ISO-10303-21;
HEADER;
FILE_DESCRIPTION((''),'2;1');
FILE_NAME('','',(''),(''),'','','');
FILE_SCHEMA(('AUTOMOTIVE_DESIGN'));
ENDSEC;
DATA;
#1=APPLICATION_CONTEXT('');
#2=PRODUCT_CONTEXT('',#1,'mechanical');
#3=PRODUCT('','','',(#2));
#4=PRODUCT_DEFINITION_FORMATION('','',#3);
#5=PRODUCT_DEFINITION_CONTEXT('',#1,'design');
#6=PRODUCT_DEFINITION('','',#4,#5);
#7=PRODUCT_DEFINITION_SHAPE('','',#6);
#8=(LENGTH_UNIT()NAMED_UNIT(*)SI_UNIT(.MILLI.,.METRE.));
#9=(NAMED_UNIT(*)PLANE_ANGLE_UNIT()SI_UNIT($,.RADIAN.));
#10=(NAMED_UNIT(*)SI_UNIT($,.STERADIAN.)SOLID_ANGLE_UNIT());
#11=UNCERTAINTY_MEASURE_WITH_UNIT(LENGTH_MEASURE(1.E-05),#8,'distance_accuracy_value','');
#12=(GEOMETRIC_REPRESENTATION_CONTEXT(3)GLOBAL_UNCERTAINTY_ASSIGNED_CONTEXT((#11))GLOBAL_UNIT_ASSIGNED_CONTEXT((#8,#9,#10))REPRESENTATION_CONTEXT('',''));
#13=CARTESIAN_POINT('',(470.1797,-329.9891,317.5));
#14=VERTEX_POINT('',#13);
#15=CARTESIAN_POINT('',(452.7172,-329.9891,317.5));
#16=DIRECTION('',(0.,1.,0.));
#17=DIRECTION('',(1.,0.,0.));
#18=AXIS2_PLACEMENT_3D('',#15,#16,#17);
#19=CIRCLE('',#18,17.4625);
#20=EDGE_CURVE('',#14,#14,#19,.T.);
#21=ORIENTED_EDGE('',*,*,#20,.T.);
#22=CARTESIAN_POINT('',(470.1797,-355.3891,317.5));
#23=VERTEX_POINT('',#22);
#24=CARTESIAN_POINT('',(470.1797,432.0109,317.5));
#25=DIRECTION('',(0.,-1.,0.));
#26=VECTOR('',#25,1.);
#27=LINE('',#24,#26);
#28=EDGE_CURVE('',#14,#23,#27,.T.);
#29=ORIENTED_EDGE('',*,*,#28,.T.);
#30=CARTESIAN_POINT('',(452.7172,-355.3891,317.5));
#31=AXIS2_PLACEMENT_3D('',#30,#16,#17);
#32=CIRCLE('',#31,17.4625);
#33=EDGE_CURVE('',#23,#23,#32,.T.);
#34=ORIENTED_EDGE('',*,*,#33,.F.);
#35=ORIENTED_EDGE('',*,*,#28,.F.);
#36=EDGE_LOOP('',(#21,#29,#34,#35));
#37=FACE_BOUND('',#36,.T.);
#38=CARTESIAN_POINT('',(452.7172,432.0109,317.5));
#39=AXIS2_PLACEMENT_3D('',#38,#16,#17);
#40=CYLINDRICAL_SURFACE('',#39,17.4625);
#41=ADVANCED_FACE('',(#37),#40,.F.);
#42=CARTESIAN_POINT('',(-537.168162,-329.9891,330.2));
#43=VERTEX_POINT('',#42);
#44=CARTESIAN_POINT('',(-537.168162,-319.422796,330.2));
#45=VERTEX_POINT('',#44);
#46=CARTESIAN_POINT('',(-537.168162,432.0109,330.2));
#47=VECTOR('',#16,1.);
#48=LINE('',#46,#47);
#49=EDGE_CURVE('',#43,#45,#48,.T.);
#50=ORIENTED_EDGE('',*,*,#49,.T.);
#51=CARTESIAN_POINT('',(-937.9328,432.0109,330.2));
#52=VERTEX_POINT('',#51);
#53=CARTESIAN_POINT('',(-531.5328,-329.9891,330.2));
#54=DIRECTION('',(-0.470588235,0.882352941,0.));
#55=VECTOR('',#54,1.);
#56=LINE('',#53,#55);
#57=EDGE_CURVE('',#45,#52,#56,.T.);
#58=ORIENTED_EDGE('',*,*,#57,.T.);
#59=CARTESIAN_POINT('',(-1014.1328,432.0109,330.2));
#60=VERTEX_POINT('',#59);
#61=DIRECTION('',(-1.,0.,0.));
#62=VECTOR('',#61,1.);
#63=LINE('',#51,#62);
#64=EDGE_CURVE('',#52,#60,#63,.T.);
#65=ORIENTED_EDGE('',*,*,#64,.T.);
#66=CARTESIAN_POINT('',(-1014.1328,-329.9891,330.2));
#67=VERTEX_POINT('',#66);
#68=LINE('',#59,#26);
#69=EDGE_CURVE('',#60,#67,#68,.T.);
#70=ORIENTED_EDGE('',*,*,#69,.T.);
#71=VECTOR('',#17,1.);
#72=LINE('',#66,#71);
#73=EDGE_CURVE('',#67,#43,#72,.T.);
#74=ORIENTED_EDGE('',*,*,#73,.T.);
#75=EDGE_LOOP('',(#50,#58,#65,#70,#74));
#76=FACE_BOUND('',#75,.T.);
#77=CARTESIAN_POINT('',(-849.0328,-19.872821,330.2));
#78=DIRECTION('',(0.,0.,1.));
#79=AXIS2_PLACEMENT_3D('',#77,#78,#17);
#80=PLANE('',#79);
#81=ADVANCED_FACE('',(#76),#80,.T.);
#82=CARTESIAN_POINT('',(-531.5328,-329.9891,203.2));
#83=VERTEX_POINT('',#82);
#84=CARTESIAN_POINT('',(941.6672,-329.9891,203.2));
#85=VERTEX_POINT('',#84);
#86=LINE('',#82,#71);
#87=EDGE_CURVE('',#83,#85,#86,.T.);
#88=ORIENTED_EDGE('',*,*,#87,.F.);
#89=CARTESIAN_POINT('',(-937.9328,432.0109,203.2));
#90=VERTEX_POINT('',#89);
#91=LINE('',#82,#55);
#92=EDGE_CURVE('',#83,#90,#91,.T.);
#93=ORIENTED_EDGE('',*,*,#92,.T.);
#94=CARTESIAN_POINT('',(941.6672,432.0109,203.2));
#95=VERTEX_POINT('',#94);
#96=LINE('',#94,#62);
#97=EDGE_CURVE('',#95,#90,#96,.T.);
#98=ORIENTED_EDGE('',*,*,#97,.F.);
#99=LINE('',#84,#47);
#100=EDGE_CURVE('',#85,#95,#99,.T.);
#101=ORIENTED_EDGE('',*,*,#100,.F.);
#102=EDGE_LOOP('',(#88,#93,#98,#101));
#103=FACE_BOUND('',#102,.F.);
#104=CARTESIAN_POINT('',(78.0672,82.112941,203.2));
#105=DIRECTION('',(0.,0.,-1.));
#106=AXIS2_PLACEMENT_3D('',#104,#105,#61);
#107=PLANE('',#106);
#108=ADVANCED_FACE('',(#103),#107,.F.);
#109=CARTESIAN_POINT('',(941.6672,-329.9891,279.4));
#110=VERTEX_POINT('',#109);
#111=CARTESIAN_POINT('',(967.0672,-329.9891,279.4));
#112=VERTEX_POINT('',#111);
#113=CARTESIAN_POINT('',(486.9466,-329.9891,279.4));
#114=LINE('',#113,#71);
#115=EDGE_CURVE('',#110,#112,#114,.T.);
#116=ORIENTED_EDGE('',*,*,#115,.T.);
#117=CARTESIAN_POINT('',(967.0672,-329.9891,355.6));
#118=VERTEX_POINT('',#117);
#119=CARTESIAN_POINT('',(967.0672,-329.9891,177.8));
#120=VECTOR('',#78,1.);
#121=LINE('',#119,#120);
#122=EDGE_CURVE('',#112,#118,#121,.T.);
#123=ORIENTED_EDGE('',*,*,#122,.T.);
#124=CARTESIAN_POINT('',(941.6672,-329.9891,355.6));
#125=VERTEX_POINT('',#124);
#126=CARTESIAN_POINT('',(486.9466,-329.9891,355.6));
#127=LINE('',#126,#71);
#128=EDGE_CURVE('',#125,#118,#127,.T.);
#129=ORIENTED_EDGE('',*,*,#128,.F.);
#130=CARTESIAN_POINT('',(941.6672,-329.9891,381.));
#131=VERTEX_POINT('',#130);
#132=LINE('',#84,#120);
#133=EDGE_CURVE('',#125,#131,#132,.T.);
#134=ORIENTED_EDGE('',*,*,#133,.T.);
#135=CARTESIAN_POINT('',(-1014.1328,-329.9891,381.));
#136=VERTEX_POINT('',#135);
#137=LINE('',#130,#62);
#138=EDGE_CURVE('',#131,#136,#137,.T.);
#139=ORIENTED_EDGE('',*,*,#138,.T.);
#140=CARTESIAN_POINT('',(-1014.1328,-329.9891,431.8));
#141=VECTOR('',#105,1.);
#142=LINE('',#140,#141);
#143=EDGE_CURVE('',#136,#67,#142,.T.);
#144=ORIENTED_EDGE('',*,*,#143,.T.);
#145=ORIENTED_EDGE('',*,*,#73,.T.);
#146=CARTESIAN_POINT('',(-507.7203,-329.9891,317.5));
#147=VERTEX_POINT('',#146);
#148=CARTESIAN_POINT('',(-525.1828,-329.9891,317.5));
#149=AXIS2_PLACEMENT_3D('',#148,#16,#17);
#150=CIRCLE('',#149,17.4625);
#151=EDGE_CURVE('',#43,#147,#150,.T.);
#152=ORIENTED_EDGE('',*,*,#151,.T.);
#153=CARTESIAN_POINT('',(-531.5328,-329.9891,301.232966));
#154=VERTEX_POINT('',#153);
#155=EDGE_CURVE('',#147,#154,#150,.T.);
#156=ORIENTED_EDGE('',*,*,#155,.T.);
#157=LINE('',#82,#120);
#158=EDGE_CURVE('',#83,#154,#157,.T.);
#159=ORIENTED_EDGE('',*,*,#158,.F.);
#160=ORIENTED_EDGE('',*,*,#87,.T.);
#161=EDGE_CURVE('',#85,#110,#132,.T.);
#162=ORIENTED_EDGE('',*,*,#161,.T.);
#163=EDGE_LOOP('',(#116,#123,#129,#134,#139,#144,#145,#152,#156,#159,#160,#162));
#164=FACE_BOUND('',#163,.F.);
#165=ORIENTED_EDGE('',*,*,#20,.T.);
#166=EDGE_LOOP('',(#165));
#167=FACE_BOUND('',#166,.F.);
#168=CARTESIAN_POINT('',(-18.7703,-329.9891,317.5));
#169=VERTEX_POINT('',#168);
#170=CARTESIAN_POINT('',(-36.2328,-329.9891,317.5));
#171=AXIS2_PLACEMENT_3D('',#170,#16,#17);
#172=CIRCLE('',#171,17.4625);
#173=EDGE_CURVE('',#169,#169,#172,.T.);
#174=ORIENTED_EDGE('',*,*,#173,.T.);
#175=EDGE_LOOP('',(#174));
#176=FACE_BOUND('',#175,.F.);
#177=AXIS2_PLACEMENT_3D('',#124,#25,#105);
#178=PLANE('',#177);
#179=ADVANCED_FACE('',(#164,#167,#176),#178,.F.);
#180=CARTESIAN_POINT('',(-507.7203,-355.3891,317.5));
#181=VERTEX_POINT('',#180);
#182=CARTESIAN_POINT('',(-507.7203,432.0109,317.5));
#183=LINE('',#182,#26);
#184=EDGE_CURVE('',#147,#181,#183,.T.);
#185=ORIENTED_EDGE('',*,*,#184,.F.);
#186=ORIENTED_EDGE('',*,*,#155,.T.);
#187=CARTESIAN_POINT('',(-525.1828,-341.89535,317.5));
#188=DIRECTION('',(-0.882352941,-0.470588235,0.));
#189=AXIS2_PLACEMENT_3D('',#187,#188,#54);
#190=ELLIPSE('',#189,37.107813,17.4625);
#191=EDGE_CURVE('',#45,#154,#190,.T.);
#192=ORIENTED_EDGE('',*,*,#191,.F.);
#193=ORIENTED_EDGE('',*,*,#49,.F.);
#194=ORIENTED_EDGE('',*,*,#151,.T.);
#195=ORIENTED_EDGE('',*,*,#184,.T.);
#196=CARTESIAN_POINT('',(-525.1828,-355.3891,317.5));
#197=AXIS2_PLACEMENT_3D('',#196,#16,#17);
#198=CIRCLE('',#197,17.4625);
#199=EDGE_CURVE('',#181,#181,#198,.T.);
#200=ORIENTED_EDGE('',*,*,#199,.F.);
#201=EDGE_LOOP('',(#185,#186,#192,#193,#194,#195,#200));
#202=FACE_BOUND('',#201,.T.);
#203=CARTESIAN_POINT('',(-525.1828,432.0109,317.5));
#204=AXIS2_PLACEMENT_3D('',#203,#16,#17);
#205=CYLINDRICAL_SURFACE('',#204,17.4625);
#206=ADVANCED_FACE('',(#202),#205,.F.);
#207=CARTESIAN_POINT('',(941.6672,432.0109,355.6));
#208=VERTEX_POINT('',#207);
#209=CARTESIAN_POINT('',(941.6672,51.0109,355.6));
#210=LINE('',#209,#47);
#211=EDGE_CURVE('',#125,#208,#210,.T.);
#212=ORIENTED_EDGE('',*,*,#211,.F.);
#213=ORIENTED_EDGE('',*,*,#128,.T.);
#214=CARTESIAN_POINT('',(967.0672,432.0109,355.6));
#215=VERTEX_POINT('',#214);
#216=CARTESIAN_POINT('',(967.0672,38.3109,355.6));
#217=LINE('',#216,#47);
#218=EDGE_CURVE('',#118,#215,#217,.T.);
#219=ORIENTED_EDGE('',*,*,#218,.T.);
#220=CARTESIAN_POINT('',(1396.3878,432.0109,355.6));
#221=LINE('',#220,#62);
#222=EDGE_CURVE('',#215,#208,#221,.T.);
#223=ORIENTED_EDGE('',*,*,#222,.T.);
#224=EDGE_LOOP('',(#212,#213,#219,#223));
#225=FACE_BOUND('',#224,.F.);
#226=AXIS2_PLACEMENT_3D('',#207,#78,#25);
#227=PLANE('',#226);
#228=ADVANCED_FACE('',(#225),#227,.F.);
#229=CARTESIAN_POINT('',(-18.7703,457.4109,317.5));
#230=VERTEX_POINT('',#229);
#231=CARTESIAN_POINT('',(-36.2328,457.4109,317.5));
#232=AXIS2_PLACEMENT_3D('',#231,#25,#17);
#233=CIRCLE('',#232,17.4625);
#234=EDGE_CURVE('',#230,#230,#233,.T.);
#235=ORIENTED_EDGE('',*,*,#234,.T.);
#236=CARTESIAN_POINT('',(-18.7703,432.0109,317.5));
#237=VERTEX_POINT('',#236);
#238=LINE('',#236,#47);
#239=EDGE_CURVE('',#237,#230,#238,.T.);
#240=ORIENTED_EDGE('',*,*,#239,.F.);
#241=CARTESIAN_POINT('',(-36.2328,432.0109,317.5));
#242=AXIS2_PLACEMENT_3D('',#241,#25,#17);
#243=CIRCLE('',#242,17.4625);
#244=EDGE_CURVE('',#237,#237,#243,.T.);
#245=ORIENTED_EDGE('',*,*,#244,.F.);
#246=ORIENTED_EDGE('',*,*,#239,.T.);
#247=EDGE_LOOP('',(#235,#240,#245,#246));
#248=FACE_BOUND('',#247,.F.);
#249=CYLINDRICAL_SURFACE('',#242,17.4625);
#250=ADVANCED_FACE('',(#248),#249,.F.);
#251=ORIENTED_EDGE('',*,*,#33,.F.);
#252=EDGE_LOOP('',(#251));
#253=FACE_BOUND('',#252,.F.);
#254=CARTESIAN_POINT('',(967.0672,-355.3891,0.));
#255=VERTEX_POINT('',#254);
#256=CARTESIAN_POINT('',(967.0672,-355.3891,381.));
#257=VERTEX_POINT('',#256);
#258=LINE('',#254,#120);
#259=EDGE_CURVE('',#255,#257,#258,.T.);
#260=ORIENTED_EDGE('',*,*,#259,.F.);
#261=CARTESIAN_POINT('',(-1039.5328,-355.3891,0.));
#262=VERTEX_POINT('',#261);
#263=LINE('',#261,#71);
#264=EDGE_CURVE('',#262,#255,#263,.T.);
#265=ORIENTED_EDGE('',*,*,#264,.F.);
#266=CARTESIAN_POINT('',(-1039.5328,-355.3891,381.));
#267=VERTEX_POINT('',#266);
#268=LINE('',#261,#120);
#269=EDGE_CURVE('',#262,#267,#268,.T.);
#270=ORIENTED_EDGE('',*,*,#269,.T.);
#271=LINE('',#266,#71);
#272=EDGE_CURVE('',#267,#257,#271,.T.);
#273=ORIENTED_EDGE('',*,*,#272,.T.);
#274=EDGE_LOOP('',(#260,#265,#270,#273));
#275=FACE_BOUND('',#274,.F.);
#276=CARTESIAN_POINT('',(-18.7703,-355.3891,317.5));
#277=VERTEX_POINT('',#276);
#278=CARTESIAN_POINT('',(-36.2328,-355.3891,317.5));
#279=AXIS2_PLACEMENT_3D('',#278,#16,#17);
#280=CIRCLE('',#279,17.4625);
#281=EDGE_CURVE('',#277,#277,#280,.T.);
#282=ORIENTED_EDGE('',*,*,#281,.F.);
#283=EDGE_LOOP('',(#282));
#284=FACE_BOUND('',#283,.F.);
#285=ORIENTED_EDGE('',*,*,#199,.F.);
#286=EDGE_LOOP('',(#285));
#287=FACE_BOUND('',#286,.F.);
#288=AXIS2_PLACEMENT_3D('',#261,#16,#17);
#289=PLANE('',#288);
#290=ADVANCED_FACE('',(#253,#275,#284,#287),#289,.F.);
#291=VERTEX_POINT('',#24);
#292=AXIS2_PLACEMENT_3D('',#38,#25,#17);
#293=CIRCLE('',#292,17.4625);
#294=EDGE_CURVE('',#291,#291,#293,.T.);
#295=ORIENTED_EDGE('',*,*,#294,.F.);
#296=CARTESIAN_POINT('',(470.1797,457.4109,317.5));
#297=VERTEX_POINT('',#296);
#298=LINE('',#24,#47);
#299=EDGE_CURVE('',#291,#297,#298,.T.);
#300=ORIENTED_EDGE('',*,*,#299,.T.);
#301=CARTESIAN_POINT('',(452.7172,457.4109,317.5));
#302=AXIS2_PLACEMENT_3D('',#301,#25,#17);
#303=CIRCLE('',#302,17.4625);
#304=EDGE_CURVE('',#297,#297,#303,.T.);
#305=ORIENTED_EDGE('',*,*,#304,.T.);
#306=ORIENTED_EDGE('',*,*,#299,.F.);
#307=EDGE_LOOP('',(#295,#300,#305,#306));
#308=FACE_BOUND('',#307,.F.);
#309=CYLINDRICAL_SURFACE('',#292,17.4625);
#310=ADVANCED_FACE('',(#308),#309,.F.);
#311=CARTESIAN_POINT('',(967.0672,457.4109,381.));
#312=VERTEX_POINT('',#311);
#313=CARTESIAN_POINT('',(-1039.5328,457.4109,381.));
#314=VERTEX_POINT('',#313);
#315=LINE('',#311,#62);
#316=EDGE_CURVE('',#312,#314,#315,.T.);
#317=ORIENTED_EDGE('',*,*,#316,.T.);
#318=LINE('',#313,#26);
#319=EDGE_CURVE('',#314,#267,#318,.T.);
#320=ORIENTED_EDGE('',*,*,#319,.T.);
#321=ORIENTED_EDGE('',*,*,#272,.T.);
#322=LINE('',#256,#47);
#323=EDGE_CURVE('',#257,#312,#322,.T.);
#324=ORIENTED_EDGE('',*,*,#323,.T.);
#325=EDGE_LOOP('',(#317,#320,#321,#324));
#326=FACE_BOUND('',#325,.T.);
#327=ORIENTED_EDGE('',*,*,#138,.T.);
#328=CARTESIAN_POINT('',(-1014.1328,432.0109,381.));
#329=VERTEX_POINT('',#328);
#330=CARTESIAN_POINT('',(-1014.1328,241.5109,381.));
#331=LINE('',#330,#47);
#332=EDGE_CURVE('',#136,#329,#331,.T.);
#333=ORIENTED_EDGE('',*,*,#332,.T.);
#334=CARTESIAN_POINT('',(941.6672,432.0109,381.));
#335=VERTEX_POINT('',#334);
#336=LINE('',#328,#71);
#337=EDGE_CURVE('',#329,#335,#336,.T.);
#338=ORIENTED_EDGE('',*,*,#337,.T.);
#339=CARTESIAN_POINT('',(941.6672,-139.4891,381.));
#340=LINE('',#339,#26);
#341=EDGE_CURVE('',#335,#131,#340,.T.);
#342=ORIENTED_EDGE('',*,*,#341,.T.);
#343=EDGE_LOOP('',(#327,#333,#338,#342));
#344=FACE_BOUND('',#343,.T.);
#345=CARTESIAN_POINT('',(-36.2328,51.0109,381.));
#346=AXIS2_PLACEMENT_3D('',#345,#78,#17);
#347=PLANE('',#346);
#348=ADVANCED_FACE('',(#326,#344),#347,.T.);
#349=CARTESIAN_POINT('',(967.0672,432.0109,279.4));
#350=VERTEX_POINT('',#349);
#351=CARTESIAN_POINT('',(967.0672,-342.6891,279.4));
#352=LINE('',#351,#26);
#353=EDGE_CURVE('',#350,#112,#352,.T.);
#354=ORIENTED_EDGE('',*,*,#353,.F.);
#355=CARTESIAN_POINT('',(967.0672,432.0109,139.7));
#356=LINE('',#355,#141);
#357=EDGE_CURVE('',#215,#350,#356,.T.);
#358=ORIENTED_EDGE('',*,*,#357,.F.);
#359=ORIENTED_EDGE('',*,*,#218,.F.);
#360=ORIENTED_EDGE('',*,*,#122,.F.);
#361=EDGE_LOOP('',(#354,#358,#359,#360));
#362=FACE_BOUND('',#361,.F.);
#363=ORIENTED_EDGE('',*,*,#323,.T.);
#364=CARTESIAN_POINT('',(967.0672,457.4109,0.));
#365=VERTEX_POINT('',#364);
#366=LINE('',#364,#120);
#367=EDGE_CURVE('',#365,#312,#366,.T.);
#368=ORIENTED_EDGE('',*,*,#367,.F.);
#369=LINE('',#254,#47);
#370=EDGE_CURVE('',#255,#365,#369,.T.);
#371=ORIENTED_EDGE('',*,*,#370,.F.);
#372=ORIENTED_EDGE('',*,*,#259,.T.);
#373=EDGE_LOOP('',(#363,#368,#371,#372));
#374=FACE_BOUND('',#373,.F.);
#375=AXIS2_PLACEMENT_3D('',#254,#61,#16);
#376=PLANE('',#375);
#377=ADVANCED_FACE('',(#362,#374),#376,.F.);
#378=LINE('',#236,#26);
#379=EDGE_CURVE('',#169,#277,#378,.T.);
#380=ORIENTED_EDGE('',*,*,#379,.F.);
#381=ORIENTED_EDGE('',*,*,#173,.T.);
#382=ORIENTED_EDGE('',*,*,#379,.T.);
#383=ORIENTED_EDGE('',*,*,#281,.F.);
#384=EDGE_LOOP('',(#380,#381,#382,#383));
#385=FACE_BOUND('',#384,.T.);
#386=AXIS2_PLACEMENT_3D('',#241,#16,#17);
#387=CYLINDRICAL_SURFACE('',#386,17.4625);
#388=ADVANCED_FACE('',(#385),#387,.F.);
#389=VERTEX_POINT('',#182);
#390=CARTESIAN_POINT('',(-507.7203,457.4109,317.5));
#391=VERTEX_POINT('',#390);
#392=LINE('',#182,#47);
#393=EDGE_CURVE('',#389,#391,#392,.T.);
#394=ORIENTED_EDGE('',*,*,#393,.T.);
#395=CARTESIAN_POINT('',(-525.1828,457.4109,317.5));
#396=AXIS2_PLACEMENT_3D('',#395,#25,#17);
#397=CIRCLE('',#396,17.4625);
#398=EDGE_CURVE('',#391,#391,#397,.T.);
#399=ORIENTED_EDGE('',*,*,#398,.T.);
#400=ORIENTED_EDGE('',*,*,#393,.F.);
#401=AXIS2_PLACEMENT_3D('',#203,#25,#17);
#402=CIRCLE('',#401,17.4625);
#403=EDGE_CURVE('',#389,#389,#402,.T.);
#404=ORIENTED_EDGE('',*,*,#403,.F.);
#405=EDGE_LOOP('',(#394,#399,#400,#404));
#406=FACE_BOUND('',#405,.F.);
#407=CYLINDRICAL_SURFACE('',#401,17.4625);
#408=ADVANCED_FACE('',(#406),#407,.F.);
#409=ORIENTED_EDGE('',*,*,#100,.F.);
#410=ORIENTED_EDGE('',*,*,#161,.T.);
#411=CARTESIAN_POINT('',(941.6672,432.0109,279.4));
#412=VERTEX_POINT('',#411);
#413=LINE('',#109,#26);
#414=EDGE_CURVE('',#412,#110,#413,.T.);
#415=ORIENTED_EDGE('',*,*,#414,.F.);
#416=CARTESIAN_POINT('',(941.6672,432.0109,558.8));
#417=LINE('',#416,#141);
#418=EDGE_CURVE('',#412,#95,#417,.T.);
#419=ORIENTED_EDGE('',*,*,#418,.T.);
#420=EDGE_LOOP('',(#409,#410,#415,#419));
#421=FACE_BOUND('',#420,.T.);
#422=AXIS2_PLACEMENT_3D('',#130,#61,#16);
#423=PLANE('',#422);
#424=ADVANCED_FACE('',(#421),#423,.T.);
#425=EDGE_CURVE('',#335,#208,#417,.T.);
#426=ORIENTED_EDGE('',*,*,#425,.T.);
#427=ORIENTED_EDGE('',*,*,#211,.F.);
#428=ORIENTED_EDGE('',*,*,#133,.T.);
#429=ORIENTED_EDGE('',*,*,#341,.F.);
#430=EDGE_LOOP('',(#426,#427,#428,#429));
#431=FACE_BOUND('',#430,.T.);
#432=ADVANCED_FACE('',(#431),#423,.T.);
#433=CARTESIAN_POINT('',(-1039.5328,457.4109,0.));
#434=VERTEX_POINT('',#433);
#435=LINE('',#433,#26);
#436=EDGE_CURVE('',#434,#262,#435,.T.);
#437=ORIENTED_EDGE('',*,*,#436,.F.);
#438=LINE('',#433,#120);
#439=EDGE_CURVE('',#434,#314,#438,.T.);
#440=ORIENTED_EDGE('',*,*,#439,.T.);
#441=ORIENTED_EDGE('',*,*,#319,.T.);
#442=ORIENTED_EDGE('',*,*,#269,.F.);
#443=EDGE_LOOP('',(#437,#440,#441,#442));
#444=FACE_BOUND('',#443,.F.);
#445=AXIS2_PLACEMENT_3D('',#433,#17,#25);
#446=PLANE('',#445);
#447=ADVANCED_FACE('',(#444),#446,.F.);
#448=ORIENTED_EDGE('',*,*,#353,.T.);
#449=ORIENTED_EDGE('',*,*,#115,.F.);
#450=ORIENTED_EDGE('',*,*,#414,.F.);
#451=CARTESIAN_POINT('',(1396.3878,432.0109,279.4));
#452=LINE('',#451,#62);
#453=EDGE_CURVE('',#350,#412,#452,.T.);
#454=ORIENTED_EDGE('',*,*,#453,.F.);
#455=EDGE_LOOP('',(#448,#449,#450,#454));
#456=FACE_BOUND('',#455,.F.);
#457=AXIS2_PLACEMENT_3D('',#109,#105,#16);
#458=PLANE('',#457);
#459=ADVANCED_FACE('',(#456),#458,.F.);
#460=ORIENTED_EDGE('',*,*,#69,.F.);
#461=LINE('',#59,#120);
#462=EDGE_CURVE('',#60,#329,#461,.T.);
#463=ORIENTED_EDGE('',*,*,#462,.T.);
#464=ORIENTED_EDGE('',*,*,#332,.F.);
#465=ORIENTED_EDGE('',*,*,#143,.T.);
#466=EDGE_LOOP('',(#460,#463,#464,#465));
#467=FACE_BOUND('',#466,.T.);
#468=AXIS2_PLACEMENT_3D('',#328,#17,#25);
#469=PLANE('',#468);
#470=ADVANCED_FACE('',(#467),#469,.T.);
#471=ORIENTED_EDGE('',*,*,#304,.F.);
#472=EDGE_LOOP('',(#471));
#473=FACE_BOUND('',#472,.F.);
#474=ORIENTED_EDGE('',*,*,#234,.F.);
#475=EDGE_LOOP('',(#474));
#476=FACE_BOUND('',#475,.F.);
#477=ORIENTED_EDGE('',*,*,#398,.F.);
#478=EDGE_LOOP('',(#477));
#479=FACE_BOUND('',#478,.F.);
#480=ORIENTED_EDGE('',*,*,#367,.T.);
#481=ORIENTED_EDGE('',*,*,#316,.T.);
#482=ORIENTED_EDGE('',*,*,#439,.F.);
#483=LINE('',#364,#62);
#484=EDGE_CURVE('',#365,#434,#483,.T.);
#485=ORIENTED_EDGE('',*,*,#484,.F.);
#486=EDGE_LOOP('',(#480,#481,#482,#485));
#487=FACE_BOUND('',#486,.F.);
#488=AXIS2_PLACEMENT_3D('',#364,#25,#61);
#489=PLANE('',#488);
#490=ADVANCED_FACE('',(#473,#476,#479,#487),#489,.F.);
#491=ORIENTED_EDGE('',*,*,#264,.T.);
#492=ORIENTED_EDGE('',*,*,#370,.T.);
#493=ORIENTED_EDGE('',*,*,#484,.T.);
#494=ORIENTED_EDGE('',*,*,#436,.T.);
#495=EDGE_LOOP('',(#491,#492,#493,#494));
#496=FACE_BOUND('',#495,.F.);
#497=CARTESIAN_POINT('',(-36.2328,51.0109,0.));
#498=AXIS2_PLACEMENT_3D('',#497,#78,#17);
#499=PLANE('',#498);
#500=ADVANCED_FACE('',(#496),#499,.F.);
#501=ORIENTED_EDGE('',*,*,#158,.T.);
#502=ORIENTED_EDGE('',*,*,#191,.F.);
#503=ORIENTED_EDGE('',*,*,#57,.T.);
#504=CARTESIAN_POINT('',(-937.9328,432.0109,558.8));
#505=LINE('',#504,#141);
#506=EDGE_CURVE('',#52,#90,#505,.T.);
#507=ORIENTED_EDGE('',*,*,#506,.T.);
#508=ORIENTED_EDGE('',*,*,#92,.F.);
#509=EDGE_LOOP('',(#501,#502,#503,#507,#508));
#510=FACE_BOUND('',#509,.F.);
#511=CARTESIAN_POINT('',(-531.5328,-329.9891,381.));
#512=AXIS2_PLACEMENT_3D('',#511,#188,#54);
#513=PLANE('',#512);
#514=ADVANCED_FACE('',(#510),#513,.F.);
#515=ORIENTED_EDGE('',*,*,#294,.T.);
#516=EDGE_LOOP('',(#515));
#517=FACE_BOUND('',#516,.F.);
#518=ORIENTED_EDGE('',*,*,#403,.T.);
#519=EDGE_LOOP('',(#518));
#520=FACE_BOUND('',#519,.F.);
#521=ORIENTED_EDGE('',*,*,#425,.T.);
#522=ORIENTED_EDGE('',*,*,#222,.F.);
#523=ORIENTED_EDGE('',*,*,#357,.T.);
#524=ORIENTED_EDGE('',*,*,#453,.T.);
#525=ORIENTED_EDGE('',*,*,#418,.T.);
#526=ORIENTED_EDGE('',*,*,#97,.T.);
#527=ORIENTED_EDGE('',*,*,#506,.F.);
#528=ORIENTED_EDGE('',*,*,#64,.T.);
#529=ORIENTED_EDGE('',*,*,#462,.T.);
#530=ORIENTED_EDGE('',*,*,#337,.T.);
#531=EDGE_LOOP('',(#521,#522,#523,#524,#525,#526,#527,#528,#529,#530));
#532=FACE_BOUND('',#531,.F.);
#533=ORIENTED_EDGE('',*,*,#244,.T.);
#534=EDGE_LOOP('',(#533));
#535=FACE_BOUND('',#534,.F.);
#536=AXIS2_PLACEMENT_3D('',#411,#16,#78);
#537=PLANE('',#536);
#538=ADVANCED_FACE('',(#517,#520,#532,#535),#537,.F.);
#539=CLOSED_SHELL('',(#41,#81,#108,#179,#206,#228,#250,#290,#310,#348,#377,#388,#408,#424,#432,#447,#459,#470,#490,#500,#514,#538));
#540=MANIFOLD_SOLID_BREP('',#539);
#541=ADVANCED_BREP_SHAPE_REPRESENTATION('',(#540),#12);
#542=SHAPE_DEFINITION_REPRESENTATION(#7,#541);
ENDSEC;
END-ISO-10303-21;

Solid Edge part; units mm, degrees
sketch "Sketch1" plane through (0, 0, 0) normal (0, 0, 1) x (1, 0, 0)
  line L0 (-1039.5328, -355.3891) -> (967.0672, -355.3891)
  line L1 (967.0672, -355.3891) -> (967.0672, 457.4109)
  line L2 (967.0672, 457.4109) -> (-1039.5328, 457.4109)
  line L3 (-1039.5328, 457.4109) -> (-1039.5328, -355.3891)
extrude "Protrusion1" add sketch "Sketch1" along normal blind 381
sketch "Sketch2" plane through (-61.6328, 25.6109, 381) normal (0, 0, 1) x (1, 0, 0)
  line L0 (-469.9, -355.6) -> (-876.3, 406.4)
  line L1 (1003.3, 406.4) -> (-876.3, 406.4)
  line L2 (1003.3, -355.6) -> (1003.3, 406.4)
  line L3 (-469.9, -355.6) -> (1003.3, -355.6)
extrude "ExtrudedCutout_1" cut sketch "Sketch2" along normal mid plane 355.6
sketch "Sketch3" plane through (-36.2328, 51.0109, 381) normal (0, 0, 1) x (1, 0, 0)
  line L0 (-495.3, -381) -> (-901.7, 381)
  line L1 (-901.7, 381) -> (-977.9, 381)
  line L2 (-977.9, 381) -> (-977.9, -381)
  line L3 (-977.9, -381) -> (-495.3, -381)
extrude "ExtrudedCutout_2" cut sketch "Sketch3" along normal mid plane 101.6
sketch "Sketch4" plane through (941.6672, 51.0109, 292.1) normal (-1, 0, 0) x (0, -1, 0)
  line L0 (-381, 63.5) -> (381, 63.5)
  line L1 (381, 63.5) -> (381, -12.7)
  line L2 (381, -12.7) -> (-381, -12.7)
  line L3 (-381, -12.7) -> (-381, 63.5)
extrude "ExtrudedCutout_3" cut sketch "Sketch4" along normal mid plane 909.4412
sketch "Sketch5" plane through (-23.5328, 432.0109, 292.1) normal (0, -1, 0) x (1, 0, 0)
  circle A0 centre (-501.65, 25.4) radius 17.4625
  circle A1 centre (-12.7, 25.4) radius 17.4625
  circle A2 centre (476.25, 25.4) radius 17.4625
extrude "ExtrudedCutout_5" cut sketch "Sketch5" along normal blind 2228.9962 and the other way blind 429.4298
properties material "Wood, balsa"
